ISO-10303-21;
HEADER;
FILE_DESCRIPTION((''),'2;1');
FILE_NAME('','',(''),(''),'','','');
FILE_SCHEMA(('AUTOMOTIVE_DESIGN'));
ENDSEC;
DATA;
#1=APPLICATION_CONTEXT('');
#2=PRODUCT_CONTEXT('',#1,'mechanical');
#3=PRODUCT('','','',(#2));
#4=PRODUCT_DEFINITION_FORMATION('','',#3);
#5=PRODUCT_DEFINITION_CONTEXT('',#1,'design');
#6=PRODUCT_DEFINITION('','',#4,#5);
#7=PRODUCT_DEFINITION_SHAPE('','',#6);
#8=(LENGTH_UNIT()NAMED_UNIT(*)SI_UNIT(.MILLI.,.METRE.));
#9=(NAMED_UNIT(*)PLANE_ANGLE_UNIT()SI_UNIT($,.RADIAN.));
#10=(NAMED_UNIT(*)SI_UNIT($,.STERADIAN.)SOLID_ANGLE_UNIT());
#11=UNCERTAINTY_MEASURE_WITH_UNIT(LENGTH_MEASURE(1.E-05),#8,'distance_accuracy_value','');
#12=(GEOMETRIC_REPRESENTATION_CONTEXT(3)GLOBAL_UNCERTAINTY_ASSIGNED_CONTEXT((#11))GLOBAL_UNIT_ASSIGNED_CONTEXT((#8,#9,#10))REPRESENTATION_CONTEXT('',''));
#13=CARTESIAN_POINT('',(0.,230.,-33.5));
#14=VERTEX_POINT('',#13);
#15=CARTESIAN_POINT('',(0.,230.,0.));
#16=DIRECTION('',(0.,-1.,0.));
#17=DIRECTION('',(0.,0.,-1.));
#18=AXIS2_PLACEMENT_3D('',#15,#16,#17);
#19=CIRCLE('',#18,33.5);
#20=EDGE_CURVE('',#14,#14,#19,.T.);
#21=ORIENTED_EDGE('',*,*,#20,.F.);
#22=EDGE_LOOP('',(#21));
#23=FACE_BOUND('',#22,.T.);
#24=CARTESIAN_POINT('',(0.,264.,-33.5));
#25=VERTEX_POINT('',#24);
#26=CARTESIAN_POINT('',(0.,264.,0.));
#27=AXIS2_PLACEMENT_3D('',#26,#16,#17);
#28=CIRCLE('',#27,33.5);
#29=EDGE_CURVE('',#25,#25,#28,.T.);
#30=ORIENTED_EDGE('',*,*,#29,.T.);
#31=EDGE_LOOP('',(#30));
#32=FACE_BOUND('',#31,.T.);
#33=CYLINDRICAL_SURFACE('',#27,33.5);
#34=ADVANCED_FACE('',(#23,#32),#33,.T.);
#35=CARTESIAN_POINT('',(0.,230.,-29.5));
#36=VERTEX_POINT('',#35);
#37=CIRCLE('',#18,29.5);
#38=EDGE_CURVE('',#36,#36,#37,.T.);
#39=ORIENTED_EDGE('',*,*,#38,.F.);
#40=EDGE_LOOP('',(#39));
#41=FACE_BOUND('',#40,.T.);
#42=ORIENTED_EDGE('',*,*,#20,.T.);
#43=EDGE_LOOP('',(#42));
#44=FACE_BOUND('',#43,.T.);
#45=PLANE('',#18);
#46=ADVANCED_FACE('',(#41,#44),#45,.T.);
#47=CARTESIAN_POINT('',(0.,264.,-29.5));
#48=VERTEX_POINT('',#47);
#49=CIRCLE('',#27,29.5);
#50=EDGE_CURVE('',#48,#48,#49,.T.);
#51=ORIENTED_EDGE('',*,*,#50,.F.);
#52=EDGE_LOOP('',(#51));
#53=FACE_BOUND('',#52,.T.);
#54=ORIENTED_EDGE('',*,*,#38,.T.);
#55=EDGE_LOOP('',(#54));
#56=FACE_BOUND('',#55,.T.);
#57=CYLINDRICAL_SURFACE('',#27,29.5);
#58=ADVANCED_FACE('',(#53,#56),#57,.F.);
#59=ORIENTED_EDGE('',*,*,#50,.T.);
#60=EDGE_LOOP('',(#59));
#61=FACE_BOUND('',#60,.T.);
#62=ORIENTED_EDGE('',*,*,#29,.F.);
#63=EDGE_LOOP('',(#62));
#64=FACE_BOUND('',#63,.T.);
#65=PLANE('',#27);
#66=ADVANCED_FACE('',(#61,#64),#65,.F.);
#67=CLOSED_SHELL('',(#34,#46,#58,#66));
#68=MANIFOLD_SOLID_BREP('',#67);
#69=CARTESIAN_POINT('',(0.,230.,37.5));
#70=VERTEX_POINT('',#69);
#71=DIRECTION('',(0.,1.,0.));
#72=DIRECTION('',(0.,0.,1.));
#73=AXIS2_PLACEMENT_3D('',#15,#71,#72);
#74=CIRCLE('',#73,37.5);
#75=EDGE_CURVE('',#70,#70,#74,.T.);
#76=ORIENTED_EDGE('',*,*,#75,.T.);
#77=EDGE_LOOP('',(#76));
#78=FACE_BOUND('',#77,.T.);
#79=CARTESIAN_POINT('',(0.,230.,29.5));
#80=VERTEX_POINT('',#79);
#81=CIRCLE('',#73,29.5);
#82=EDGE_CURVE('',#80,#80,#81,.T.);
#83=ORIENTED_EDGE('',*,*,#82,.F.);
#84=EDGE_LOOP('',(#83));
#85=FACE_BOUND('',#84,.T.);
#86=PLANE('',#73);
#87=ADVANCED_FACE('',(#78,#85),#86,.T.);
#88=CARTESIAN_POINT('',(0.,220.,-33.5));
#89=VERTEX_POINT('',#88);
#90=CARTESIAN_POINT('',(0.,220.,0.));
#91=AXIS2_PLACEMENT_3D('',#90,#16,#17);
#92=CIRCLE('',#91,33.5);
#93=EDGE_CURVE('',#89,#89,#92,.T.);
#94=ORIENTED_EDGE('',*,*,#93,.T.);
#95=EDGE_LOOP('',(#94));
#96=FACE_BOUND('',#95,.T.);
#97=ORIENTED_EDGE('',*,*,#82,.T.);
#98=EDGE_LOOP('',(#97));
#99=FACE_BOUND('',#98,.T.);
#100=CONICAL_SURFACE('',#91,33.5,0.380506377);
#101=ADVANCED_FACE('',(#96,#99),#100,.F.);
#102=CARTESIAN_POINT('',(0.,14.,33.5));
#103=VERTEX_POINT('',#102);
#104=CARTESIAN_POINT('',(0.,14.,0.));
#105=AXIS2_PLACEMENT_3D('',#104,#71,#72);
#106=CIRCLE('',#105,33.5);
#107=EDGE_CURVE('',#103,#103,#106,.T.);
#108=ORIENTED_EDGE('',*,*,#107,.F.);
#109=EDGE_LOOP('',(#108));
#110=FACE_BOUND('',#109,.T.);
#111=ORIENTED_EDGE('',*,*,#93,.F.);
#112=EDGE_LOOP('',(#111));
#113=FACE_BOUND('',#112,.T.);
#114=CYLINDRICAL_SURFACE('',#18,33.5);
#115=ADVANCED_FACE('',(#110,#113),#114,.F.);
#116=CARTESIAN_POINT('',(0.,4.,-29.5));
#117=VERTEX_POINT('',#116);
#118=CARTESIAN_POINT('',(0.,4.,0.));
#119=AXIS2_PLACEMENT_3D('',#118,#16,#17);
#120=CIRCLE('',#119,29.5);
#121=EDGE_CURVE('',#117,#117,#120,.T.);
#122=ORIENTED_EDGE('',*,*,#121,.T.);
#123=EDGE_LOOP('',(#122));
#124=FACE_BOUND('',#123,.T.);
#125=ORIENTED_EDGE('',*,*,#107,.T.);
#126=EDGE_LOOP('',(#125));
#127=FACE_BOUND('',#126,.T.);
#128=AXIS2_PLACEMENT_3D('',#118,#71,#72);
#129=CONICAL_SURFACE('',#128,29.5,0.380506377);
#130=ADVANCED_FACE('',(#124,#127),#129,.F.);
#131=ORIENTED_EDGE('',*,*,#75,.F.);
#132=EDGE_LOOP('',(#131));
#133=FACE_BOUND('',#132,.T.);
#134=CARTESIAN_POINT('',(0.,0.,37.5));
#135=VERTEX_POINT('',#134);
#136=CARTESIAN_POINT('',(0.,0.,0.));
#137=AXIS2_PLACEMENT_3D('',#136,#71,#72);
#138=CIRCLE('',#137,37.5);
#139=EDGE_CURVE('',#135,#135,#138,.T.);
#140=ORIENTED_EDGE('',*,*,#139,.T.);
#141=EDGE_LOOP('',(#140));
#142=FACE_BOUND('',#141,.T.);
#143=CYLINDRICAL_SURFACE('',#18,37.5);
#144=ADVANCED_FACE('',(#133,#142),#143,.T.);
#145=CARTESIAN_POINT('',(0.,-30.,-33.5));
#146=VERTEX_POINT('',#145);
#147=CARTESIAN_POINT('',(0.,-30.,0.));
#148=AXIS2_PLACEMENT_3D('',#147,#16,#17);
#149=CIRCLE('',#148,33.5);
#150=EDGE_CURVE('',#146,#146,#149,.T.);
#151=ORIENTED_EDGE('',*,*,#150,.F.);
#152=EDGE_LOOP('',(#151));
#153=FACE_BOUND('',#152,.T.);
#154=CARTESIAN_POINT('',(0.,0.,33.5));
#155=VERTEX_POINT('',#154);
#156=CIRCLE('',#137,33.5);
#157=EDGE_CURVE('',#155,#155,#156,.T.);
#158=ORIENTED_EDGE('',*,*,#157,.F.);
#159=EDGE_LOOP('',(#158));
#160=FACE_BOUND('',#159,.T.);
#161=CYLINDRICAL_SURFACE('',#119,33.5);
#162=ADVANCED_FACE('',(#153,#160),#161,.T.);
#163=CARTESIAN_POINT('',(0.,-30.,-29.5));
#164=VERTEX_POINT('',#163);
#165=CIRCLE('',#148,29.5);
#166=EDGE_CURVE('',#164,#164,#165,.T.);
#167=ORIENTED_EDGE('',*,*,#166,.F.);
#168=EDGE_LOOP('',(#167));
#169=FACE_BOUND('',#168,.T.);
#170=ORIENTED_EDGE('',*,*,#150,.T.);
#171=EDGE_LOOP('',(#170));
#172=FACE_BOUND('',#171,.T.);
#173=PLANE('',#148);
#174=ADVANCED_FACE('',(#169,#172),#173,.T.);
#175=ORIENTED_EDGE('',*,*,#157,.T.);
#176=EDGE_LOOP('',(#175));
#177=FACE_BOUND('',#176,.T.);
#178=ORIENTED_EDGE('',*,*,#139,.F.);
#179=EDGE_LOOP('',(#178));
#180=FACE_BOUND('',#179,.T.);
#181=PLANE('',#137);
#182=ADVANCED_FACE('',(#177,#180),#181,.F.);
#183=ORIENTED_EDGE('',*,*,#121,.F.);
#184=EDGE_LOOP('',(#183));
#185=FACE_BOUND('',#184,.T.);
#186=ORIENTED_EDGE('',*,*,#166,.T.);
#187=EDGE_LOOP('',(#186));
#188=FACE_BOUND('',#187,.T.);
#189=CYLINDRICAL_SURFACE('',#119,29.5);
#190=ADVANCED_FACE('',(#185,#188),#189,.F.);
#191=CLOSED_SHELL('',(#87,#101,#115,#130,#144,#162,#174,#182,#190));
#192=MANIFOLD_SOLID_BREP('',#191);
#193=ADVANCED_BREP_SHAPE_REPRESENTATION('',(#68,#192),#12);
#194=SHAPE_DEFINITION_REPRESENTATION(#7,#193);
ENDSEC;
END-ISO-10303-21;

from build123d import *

# Parameters (mm, degrees)
SKETCH1_R                = 37.5
SKETCH1_R_2              = 33.5
BOSS_EXTRUDE1_DEPTH      = 230
BOSS_EXTRUDE2_DEPTH      = 30
BOSS_EXTRUDE2_DEPTH_BACK = 4
SKETCH2_R                = 33.5
SKETCH2_R_2              = 29.5
BOSS_EXTRUDE3_START      = -264
SKETCH2_2_R              = 33.5
SKETCH2_2_R_2            = 29.5
BOSS_EXTRUDE3_DEPTH      = 34


with BuildPart() as part:
    # Sketch1 → Boss-Extrude1 (new body)
    with BuildSketch(Plane(origin=(0, 0, 0), x_dir=(1, 0, 0), z_dir=(0, 1, 0))):
        Circle(SKETCH1_R)
        Circle(SKETCH1_R_2, mode=Mode.SUBTRACT)
    extrude(amount=BOSS_EXTRUDE1_DEPTH)

    # Sketch2 → Boss-Extrude2 (add, two sides: drawn at the far end of the back side and taken through both)
    with BuildSketch(Plane.XZ.offset(-BOSS_EXTRUDE2_DEPTH_BACK)):
        Circle(SKETCH2_R)
        Circle(SKETCH2_R_2, mode=Mode.SUBTRACT)
    extrude(amount=BOSS_EXTRUDE2_DEPTH + BOSS_EXTRUDE2_DEPTH_BACK)

    # Sketch3 → Revolve2 (revolve)
    with BuildSketch(Plane(origin=(0, 0, 0), x_dir=(0, 0, -1), z_dir=(1, 0, 0))):
        Polygon((-33.5, 220), (-29.5, 230), (-33.5, 230), align=None)
        Polygon((-29.5, 4), (-33.5, 14), (-33.5, 4), align=None)
    revolve(axis=Axis((0, 147.317017351, 0), (0, -1, 0)))


with BuildPart() as body_2:
    # Sketch2<2> → Boss-Extrude3 (new body)
    with BuildSketch(Plane.XZ.offset(BOSS_EXTRUDE3_START)):
        Circle(SKETCH2_2_R)
        Circle(SKETCH2_2_R_2, mode=Mode.SUBTRACT)
    extrude(amount=BOSS_EXTRUDE3_DEPTH)


solid = Compound([part.part, body_2.part])
